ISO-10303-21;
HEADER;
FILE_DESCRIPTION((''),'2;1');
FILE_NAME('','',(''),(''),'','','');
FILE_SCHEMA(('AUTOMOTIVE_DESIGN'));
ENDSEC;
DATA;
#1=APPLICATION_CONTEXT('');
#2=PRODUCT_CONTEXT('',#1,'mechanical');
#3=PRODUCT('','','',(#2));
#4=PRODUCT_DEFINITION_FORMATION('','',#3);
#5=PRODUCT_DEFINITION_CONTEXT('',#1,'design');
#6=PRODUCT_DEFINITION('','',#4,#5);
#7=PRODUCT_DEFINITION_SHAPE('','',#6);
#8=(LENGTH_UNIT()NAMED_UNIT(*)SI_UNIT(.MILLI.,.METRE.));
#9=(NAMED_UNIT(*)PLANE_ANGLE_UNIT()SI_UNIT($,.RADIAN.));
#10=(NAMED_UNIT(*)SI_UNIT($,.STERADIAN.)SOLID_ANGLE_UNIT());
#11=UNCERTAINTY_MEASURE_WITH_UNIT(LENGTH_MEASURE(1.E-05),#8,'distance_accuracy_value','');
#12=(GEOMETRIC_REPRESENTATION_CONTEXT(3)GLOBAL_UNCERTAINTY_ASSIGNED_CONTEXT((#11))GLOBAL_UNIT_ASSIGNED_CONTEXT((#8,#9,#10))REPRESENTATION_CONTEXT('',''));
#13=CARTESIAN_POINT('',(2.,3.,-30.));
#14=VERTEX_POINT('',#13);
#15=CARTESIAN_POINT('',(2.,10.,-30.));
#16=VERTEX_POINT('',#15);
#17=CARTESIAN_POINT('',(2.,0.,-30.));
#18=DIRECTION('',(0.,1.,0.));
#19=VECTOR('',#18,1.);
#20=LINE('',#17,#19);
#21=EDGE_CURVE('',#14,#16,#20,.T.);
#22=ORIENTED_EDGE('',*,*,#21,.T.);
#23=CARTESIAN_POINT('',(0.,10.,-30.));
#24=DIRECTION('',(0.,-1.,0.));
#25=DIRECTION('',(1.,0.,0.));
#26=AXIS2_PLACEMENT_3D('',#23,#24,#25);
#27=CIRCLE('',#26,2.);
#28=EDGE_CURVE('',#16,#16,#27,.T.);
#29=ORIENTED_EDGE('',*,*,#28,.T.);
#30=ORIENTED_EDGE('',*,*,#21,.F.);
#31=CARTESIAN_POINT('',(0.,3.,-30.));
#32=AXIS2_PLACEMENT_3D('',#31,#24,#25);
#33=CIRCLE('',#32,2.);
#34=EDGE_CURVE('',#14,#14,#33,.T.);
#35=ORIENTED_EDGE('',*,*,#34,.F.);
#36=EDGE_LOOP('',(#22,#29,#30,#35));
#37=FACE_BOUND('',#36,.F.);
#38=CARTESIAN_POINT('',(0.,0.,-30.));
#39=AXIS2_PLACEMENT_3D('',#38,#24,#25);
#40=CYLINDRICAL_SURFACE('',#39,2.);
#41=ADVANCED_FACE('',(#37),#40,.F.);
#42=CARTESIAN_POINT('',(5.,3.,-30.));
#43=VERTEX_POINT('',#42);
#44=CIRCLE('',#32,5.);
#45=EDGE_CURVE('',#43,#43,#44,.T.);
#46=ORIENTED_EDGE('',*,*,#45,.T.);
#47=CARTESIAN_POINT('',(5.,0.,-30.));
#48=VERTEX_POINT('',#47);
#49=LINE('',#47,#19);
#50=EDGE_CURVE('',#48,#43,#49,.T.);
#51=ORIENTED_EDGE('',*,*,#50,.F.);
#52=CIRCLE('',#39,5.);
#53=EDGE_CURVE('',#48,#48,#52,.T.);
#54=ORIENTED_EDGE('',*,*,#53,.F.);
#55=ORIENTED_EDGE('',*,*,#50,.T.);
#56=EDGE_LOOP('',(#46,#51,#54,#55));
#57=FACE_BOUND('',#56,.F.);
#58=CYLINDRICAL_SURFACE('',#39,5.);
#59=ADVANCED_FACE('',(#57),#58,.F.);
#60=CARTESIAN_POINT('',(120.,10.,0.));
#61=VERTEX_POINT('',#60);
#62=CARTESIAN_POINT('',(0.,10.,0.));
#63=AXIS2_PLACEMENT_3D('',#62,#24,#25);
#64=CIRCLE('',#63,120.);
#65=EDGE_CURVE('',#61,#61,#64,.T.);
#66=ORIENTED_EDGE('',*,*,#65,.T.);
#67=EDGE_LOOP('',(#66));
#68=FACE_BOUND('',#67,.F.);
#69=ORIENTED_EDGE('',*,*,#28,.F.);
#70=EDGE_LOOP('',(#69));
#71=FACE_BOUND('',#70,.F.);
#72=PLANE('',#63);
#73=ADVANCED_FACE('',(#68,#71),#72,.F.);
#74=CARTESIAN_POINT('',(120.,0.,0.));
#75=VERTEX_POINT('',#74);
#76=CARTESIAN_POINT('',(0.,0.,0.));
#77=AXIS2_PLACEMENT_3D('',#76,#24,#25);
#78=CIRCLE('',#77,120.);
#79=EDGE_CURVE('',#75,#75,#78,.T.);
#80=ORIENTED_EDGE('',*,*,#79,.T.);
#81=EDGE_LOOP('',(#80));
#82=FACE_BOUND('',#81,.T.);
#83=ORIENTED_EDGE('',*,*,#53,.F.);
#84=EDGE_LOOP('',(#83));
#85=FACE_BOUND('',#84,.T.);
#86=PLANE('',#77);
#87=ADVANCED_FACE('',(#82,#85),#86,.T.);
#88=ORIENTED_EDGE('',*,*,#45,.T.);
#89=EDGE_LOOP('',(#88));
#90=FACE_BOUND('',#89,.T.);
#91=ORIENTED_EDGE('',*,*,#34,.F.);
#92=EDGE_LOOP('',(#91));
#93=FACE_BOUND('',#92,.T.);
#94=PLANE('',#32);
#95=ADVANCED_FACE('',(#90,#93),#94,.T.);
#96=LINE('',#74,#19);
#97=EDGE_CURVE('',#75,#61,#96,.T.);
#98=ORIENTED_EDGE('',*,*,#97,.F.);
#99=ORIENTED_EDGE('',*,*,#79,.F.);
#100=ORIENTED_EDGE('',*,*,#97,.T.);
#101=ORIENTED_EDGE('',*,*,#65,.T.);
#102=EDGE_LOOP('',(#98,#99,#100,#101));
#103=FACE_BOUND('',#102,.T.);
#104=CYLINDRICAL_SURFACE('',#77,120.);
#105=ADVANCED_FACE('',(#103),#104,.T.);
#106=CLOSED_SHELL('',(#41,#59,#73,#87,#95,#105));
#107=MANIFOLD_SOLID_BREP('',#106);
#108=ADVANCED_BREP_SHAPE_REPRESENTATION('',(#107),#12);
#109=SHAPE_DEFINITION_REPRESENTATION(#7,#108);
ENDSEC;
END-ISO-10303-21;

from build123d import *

# Parameters (mm, degrees)
F0_R     = 120
F0_R_2   = 2
F1_DEPTH = 10
F2_R     = 5
F3_DEPTH = 3


with BuildPart() as f1:
    # F0 (on Front) → F1 (new body)
    with BuildSketch(Plane.XZ):
        Circle(F0_R)
        with Locations((0, -30)):
            Circle(F0_R_2, mode=Mode.SUBTRACT)
    extrude(amount=-F1_DEPTH)

    # F2 (on Front) → F3 (cut)
    with BuildSketch(Plane.XZ):
        with Locations((0, -30)):
            Circle(F2_R)
    extrude(amount=-F3_DEPTH, mode=Mode.SUBTRACT)


solid = f1.part
